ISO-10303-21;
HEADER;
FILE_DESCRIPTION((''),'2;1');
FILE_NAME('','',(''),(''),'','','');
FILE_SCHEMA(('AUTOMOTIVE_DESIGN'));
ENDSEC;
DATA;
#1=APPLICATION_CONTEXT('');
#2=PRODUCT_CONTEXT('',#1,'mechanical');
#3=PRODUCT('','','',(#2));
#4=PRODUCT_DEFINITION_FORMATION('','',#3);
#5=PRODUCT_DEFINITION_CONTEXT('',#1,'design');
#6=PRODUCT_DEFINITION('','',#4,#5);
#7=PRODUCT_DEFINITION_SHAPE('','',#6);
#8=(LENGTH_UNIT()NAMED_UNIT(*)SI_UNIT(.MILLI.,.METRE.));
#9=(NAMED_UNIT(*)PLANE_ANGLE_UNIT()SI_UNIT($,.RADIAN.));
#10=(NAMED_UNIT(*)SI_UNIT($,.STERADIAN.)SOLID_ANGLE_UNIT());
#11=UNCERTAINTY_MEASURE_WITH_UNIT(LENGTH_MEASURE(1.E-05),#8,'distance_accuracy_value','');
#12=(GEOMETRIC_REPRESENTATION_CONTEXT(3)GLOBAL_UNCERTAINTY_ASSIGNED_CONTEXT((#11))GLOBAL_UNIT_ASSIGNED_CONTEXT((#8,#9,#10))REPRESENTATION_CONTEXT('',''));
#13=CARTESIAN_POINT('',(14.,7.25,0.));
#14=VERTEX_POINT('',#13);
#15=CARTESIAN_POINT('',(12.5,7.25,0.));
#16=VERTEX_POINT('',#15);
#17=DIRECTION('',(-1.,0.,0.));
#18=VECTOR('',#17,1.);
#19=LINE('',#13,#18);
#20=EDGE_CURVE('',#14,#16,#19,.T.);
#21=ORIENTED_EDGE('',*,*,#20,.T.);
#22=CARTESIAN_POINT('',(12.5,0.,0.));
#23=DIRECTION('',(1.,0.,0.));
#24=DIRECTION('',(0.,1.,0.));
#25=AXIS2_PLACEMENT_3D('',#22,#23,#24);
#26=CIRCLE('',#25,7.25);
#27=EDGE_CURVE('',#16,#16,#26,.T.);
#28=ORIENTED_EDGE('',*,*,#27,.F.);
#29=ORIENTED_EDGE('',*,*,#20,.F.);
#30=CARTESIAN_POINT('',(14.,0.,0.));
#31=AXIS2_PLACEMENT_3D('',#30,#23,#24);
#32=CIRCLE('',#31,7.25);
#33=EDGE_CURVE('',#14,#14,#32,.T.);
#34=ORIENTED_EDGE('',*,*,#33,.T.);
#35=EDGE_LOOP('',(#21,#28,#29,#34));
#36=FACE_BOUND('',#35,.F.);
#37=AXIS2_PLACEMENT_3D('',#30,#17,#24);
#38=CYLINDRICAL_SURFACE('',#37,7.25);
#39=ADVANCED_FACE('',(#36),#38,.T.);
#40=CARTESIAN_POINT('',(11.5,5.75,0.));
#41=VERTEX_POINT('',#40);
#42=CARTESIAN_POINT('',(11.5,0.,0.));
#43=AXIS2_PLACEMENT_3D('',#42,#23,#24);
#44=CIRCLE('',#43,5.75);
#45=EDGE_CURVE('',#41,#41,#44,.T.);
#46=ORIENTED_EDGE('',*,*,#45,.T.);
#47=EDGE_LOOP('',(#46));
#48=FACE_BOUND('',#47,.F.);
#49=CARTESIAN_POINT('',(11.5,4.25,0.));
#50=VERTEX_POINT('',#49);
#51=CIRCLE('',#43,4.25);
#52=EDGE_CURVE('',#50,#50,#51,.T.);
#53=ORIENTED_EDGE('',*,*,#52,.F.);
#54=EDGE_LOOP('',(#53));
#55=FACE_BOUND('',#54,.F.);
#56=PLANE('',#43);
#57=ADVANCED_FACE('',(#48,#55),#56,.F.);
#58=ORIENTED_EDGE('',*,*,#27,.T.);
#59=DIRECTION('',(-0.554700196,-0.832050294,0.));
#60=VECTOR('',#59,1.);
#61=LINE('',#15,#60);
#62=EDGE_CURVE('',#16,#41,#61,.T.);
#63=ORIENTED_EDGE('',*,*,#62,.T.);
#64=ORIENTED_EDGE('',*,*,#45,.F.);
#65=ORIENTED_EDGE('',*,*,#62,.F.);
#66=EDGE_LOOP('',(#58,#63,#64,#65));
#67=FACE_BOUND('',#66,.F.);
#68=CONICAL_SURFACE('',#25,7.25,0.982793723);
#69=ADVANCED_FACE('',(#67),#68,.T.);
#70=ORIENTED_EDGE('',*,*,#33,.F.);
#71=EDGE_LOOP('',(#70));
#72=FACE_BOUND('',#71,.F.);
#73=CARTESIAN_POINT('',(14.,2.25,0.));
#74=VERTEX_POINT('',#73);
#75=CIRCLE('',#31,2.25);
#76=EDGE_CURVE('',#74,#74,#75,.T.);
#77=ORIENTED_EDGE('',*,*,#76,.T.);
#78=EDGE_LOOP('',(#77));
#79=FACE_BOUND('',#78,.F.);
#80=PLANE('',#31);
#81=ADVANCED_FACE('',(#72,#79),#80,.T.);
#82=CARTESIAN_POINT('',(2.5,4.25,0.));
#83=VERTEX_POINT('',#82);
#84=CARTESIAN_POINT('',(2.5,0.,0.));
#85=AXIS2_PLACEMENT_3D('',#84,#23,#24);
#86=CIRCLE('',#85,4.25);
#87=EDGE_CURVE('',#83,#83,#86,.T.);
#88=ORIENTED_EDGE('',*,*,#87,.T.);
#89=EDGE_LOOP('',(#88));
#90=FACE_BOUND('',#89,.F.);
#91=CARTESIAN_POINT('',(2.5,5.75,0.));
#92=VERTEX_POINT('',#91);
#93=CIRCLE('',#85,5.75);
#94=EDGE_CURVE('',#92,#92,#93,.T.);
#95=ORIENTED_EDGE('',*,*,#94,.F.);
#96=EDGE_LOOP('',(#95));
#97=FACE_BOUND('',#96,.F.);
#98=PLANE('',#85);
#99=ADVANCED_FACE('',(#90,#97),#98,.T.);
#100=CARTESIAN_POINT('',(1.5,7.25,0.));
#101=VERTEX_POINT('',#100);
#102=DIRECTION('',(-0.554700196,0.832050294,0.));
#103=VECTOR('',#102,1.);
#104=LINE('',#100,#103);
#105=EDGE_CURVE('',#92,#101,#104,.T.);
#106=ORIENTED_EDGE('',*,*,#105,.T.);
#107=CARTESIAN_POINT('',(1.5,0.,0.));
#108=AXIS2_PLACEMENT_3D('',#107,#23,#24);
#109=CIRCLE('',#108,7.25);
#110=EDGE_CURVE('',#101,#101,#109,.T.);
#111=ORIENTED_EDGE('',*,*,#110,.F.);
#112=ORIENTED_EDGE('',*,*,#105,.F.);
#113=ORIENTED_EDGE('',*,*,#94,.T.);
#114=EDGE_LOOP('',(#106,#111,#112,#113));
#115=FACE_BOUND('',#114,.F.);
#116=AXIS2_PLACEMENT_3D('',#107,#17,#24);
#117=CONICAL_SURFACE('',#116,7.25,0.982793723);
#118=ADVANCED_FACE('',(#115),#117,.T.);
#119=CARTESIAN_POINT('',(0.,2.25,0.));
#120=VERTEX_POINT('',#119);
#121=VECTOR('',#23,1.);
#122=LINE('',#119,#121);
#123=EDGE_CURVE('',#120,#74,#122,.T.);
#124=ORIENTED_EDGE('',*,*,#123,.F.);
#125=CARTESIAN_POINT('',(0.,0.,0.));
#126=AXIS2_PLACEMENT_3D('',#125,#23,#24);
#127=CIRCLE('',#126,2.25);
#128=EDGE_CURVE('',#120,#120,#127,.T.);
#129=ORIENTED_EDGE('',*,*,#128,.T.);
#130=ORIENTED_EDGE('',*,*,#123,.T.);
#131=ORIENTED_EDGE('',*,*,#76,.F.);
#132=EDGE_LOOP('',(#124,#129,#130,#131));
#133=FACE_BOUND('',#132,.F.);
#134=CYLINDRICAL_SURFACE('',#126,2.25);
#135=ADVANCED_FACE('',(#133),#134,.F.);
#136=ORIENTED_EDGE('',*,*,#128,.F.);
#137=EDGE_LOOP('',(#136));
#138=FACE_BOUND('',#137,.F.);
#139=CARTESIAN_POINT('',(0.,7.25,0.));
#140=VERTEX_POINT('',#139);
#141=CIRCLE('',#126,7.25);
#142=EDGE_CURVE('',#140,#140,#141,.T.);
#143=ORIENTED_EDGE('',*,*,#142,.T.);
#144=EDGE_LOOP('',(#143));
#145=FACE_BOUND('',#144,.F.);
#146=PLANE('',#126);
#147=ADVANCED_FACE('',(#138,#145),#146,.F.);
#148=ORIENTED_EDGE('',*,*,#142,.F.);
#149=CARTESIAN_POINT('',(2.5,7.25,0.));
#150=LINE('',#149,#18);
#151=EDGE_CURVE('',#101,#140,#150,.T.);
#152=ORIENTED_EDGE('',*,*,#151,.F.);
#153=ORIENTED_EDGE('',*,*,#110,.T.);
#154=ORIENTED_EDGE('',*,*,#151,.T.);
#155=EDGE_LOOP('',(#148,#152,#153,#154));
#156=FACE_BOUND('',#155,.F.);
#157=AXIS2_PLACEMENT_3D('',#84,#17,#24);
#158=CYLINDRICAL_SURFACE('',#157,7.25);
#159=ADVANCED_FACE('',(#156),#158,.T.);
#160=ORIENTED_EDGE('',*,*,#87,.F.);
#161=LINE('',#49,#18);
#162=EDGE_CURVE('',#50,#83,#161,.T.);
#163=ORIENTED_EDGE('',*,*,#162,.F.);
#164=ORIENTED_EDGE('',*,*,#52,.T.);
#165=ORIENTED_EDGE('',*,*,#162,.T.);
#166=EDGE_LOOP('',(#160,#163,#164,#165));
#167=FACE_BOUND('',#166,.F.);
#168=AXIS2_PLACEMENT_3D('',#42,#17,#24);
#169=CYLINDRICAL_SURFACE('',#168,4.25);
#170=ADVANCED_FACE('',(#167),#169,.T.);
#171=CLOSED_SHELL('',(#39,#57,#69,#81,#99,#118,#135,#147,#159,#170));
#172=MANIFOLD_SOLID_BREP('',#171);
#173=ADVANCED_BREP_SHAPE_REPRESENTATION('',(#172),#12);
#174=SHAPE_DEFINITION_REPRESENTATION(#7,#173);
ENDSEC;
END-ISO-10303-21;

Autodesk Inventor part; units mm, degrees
ref_plane "YZ Plane" through (0, 0, 0) normal (1, 0, 0) x (0, 1, 0)
ref_plane "XZ Plane" through (0, 0, 0) normal (0, 1, 0) x (-1, 0, 0)
ref_plane "XY Plane" through (0, 0, 0) normal (0, 0, 1) x (1, 0, 0)
sketch "Skizze1" plane through (0, 0, 0) normal (0, 0, 1) x (1, 0, 0)
  line L0 (0, 0) -> (14, 0)
  line L1 (0, 2.25) -> (14, 2.25)
  line L2 (14, 2.25) -> (14, 7.25)
  line L3 (14, 7.25) -> (11.5, 7.25)
  line L4 (11.5, 7.25) -> (11.5, 4.25)
  line L5 (11.5, 4.25) -> (2.5, 4.25)
  line L6 (2.5, 4.25) -> (2.5, 7.25)
  line L7 (2.5, 7.25) -> (0, 7.25)
  line L8 (0, 7.25) -> (0, 2.25)
  dimension "d0" = 14
  dimension "d1" = 4.5
  dimension "d2" = 2
  dimension "d3" = 3
  dimension "d4" = 3
  dimension "d5" = 9
revolve "Umdrehung1" add sketch "Skizze1" angle 360 about axis through (0, 0, 0) along (1, 0, 0)
chamfer "Fasen2" distance 1.5 distance2 1 1 edges at (2.5, -7.25, 0) measured on face at (2.5, 6.1798, -0.5783)
chamfer "Fasen3" distance 1 distance2 1.5 1 edges at (11.5, -7.25, 0) measured on face at (13.1667, 7.1561, -1.163)
properties part number "Hülse zum einhaken"
